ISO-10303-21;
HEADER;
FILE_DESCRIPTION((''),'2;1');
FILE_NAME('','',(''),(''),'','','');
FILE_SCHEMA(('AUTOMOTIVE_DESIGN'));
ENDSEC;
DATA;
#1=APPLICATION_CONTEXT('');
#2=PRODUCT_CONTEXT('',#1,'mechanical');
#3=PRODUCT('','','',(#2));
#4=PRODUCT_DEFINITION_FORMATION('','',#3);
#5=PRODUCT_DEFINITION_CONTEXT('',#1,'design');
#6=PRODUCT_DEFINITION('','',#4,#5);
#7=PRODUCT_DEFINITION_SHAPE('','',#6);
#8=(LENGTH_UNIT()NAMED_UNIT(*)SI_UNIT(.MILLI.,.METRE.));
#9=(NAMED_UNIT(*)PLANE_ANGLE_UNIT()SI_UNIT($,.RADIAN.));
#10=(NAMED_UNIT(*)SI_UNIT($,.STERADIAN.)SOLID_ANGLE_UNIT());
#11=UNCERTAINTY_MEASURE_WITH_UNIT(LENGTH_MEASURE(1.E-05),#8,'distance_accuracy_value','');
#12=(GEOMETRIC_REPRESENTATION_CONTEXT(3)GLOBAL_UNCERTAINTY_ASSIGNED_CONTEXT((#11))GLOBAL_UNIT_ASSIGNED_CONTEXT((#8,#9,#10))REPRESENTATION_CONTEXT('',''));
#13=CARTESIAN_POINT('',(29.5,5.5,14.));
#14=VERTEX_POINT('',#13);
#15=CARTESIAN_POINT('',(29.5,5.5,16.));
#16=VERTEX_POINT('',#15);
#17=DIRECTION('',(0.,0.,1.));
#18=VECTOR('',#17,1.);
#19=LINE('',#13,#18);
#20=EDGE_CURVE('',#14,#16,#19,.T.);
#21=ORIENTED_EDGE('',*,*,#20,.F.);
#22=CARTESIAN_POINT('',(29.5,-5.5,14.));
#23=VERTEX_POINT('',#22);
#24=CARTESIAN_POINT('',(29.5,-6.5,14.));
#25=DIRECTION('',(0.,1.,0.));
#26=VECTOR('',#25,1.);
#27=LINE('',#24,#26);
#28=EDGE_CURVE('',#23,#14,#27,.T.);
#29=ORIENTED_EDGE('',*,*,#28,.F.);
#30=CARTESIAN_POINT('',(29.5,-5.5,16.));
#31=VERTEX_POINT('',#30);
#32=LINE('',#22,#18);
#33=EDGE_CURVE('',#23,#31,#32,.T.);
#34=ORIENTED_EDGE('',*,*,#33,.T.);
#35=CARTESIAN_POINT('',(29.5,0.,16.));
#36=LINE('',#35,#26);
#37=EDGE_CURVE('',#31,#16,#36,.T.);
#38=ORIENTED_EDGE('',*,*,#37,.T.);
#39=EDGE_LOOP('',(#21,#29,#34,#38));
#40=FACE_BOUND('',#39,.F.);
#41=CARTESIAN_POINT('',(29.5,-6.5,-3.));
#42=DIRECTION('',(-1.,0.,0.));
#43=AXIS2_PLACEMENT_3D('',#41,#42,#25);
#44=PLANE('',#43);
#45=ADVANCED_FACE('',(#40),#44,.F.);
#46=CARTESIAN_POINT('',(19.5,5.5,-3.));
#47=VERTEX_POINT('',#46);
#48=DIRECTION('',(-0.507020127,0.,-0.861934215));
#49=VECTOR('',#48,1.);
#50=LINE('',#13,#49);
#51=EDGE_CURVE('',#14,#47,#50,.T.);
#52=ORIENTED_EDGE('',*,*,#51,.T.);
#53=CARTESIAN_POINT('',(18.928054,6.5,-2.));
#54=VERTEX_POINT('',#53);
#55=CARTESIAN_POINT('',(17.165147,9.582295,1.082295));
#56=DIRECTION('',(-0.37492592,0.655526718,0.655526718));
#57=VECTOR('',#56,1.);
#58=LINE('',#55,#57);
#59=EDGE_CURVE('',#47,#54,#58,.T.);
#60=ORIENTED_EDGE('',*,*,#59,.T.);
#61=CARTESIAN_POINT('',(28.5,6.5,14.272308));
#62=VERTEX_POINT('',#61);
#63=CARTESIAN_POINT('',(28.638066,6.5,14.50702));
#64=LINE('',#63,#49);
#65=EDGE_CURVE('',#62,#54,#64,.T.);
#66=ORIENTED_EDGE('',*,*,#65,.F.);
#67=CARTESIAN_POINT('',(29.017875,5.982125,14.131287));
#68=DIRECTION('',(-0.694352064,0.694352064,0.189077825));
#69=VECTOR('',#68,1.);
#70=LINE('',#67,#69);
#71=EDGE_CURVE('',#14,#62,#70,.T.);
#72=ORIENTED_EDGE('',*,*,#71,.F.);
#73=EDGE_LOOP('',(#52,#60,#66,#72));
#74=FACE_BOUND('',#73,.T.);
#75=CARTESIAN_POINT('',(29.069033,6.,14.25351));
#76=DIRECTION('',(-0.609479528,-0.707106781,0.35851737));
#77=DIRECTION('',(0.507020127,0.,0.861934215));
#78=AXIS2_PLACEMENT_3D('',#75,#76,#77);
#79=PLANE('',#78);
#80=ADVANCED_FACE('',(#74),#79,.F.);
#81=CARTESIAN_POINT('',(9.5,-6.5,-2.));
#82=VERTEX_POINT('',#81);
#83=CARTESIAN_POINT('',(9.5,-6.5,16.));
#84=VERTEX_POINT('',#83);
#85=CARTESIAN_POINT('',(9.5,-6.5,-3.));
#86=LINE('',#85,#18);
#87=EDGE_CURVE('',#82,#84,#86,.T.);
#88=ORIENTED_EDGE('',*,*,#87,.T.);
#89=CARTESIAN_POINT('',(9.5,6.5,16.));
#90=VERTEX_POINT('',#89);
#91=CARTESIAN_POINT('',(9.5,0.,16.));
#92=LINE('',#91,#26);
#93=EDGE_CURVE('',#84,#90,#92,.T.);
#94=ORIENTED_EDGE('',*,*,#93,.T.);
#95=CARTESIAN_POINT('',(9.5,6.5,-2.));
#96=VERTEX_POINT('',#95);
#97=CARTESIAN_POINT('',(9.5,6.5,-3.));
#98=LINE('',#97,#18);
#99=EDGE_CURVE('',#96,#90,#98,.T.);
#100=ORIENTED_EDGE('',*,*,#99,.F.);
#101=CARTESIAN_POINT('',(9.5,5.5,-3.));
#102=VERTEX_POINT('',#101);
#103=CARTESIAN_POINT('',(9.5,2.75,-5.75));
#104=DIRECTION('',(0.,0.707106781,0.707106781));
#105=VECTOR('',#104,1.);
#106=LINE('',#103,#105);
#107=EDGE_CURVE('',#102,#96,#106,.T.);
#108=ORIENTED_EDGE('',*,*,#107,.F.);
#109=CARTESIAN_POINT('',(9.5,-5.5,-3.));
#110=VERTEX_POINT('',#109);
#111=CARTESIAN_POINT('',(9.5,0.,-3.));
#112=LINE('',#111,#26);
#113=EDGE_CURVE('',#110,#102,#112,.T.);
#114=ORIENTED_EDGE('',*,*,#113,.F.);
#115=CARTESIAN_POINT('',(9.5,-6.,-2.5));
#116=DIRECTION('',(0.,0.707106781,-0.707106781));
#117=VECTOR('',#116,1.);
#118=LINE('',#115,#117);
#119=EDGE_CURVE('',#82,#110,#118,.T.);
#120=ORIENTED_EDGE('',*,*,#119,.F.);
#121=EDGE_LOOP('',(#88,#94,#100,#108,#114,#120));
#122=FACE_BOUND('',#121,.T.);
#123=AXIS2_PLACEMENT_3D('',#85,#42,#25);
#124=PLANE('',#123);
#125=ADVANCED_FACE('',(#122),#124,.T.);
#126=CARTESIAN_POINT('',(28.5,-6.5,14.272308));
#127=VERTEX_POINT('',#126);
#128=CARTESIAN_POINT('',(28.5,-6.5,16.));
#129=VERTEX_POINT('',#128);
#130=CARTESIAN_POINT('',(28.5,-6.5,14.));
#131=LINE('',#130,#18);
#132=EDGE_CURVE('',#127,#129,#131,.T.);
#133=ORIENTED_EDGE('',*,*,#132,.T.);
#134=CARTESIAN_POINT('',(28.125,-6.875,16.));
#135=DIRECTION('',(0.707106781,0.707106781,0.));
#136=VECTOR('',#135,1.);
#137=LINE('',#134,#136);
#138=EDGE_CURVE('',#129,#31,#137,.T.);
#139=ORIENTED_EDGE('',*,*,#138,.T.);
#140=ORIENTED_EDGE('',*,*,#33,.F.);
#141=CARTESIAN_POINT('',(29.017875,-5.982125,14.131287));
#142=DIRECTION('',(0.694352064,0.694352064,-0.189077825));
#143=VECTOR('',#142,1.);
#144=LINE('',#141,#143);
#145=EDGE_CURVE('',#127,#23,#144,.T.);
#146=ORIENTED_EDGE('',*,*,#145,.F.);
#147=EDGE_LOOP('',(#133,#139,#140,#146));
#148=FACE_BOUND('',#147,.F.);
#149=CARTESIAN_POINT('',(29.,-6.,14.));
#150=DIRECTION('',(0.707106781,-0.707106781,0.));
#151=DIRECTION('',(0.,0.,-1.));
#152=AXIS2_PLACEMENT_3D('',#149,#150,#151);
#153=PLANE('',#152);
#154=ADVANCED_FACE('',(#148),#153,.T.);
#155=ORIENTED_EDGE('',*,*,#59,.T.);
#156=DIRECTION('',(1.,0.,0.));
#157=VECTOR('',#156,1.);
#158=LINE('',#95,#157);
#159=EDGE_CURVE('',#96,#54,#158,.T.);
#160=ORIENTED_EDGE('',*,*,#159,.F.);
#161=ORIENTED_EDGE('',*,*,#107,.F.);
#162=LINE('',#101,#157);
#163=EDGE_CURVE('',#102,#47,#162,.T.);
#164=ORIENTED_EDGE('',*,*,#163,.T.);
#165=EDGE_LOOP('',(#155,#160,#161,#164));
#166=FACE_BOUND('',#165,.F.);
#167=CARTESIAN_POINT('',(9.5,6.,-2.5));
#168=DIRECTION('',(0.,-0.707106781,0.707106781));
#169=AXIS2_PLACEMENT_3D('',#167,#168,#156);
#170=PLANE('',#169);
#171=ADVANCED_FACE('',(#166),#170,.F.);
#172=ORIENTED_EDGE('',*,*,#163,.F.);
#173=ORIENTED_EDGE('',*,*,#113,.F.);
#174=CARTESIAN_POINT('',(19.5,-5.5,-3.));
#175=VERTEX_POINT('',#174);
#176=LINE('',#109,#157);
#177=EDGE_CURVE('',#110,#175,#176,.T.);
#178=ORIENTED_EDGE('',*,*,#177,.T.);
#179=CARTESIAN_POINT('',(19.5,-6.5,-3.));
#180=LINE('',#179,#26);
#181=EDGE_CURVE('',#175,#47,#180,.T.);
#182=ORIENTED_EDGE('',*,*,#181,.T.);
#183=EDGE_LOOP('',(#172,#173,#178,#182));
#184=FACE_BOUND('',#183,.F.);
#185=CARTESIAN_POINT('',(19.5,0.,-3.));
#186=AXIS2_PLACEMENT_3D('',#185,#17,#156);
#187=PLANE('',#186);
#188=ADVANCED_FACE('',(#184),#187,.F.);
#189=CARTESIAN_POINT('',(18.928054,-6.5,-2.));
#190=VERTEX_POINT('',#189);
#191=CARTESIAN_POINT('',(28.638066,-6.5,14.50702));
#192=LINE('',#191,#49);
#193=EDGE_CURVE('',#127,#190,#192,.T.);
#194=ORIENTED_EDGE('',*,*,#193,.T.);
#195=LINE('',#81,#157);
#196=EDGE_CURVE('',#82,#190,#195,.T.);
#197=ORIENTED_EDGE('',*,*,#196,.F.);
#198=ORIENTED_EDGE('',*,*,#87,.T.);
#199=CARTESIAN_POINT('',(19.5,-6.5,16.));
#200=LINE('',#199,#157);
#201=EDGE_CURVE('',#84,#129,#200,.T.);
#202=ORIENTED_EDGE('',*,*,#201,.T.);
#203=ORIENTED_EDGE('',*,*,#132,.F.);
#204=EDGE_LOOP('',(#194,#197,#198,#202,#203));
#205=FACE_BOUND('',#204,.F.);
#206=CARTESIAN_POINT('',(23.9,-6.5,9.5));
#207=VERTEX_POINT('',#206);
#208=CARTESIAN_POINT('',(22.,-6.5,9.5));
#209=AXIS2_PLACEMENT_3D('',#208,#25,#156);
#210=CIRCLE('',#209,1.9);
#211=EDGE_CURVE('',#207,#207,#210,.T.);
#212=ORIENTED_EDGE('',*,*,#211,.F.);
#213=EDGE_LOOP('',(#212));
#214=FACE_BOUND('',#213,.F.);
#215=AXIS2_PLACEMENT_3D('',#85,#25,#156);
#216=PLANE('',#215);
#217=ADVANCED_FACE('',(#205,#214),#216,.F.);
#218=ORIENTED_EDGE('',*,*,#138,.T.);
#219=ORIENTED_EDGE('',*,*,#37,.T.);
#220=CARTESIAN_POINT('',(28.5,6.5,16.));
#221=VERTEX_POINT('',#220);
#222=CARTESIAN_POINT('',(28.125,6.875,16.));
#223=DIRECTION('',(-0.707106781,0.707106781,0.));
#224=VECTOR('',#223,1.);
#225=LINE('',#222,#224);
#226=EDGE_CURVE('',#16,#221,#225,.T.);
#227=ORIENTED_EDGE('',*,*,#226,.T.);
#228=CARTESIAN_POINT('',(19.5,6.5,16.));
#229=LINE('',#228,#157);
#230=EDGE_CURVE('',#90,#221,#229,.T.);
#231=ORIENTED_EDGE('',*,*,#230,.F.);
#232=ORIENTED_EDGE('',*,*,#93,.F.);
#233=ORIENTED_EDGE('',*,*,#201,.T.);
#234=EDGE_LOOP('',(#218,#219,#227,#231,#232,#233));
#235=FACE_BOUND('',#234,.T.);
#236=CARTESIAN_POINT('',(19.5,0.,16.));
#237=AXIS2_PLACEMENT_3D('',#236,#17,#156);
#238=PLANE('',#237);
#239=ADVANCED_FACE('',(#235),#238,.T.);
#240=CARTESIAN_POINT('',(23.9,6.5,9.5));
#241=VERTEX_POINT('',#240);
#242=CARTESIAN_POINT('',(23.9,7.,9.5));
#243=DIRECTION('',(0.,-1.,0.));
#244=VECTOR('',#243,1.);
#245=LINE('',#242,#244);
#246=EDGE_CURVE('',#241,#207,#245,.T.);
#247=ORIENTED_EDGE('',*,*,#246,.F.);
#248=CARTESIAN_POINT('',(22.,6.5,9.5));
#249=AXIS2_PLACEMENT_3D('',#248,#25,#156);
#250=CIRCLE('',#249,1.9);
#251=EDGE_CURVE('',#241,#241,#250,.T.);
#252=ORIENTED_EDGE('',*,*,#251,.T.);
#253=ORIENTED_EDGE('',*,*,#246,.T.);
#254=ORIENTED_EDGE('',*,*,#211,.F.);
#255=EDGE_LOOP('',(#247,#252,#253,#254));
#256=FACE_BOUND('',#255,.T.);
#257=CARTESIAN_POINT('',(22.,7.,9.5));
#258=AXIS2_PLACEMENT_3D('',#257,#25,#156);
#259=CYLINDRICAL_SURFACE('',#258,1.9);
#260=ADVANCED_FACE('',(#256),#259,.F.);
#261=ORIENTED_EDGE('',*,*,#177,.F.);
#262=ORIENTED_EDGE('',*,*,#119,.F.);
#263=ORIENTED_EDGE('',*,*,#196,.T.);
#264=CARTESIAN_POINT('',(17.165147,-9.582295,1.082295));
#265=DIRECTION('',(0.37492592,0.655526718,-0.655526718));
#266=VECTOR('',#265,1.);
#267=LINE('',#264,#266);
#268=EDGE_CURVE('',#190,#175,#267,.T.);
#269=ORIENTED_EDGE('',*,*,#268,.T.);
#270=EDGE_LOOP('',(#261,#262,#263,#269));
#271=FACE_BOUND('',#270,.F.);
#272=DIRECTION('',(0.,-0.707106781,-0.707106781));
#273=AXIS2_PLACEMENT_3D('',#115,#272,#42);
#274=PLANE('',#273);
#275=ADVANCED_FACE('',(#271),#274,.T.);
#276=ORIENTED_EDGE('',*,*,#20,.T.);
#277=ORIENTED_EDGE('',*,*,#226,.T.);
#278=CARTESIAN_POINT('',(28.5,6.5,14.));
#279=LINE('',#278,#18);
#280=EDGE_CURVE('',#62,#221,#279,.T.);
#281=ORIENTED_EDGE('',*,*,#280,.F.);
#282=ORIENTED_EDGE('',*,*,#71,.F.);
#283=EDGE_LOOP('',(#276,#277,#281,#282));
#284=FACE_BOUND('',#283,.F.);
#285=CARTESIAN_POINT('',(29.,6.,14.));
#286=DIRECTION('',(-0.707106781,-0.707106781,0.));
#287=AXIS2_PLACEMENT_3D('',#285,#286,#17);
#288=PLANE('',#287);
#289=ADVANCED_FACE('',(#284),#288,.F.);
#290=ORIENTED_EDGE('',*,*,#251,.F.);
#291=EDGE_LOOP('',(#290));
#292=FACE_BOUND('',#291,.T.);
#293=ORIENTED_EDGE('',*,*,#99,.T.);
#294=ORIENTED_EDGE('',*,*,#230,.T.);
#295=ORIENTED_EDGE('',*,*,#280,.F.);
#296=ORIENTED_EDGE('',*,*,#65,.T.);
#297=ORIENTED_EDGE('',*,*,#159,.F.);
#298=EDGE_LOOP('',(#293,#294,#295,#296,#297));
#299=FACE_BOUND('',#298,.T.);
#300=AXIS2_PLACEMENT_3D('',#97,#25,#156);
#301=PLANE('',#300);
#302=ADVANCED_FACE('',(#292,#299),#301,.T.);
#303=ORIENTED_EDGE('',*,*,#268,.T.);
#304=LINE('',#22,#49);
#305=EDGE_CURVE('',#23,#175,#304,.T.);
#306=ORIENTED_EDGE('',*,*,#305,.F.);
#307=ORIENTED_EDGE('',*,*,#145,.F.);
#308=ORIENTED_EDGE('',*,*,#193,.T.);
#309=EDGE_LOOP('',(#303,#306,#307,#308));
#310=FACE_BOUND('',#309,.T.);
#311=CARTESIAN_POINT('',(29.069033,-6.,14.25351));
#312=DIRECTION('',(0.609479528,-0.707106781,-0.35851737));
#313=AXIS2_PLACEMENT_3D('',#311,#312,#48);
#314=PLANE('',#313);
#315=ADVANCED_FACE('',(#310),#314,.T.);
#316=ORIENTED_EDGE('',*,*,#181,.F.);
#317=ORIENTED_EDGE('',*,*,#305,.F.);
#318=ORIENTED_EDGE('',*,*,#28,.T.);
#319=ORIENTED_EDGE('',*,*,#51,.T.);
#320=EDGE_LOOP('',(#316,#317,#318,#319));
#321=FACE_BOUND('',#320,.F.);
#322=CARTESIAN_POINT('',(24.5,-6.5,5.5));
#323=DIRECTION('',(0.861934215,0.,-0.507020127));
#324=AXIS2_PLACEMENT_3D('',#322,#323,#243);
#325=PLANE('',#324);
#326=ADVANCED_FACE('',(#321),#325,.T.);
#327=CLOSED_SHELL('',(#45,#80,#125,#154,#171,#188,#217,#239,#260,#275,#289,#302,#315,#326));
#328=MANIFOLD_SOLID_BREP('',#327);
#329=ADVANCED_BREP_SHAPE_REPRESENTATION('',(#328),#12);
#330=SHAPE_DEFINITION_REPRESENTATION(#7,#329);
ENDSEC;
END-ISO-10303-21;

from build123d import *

# Parameters (mm, degrees)
CYLINDER010_R                               = 1.9
CYLINDER010_DEPTH                           = 14
BOX015_W                                    = 20
BOX015_H                                    = 13
BOX015_DEPTH                                = 19
CHAMFER004013007011015006009007001002_SIZE2 = 10
CHAMFER004013007011015006009007001002_SIZE  = 17
CHAMFER004013007011015006009007001003_SIZE  = 1


with BuildPart() as cylinder010:
    # Cylinder010 → Cylinder010 (new body)
    with BuildSketch(Plane(origin=(22, 7, 9.5), x_dir=(1, 0, 0), z_dir=(0, -1, 0))):
        Circle(CYLINDER010_R)
    extrude(amount=CYLINDER010_DEPTH)


with BuildPart() as supporter:
    # Box015 → Box015 (new body)
    with BuildSketch(Plane(origin=(9.5, -6.5, -3), x_dir=(1, 0, 0), z_dir=(0, 0, 1))):
        with Locations((10, 6.5)):
            Rectangle(BOX015_W, BOX015_H)
    extrude(amount=BOX015_DEPTH)

    # Chamfer004013007011015006009007001002
    chamfer004013007011015006009007001002_edges = [supporter.edges().sort_by_distance(p)[0] for p in [
        (29.5, 0, -3),
    ]]
    chamfer004013007011015006009007001002_side = supporter.faces().sort_by_distance((29.5, 0, 6.5))[0]
    chamfer(chamfer004013007011015006009007001002_edges, length=CHAMFER004013007011015006009007001002_SIZE, length2=CHAMFER004013007011015006009007001002_SIZE2, reference=chamfer004013007011015006009007001002_side)

    # Chamfer004013007011015006009007001003
    chamfer004013007011015006009007001003_edges = [supporter.edges().sort_by_distance(p)[0] for p in [
        (29.5, -6.5, 15),
        (29.5, 6.5, 15),
        (14.5, -6.5, -3),
        (24.5, -6.5, 5.5),
        (24.5, 6.5, 5.5),
        (14.5, 6.5, -3),
    ]]
    chamfer(chamfer004013007011015006009007001003_edges, length=CHAMFER004013007011015006009007001003_SIZE)

    # Cut028006004005011004003001006: cut Cylinder010
    add(cylinder010.part, mode=Mode.SUBTRACT)


solid = supporter.part
